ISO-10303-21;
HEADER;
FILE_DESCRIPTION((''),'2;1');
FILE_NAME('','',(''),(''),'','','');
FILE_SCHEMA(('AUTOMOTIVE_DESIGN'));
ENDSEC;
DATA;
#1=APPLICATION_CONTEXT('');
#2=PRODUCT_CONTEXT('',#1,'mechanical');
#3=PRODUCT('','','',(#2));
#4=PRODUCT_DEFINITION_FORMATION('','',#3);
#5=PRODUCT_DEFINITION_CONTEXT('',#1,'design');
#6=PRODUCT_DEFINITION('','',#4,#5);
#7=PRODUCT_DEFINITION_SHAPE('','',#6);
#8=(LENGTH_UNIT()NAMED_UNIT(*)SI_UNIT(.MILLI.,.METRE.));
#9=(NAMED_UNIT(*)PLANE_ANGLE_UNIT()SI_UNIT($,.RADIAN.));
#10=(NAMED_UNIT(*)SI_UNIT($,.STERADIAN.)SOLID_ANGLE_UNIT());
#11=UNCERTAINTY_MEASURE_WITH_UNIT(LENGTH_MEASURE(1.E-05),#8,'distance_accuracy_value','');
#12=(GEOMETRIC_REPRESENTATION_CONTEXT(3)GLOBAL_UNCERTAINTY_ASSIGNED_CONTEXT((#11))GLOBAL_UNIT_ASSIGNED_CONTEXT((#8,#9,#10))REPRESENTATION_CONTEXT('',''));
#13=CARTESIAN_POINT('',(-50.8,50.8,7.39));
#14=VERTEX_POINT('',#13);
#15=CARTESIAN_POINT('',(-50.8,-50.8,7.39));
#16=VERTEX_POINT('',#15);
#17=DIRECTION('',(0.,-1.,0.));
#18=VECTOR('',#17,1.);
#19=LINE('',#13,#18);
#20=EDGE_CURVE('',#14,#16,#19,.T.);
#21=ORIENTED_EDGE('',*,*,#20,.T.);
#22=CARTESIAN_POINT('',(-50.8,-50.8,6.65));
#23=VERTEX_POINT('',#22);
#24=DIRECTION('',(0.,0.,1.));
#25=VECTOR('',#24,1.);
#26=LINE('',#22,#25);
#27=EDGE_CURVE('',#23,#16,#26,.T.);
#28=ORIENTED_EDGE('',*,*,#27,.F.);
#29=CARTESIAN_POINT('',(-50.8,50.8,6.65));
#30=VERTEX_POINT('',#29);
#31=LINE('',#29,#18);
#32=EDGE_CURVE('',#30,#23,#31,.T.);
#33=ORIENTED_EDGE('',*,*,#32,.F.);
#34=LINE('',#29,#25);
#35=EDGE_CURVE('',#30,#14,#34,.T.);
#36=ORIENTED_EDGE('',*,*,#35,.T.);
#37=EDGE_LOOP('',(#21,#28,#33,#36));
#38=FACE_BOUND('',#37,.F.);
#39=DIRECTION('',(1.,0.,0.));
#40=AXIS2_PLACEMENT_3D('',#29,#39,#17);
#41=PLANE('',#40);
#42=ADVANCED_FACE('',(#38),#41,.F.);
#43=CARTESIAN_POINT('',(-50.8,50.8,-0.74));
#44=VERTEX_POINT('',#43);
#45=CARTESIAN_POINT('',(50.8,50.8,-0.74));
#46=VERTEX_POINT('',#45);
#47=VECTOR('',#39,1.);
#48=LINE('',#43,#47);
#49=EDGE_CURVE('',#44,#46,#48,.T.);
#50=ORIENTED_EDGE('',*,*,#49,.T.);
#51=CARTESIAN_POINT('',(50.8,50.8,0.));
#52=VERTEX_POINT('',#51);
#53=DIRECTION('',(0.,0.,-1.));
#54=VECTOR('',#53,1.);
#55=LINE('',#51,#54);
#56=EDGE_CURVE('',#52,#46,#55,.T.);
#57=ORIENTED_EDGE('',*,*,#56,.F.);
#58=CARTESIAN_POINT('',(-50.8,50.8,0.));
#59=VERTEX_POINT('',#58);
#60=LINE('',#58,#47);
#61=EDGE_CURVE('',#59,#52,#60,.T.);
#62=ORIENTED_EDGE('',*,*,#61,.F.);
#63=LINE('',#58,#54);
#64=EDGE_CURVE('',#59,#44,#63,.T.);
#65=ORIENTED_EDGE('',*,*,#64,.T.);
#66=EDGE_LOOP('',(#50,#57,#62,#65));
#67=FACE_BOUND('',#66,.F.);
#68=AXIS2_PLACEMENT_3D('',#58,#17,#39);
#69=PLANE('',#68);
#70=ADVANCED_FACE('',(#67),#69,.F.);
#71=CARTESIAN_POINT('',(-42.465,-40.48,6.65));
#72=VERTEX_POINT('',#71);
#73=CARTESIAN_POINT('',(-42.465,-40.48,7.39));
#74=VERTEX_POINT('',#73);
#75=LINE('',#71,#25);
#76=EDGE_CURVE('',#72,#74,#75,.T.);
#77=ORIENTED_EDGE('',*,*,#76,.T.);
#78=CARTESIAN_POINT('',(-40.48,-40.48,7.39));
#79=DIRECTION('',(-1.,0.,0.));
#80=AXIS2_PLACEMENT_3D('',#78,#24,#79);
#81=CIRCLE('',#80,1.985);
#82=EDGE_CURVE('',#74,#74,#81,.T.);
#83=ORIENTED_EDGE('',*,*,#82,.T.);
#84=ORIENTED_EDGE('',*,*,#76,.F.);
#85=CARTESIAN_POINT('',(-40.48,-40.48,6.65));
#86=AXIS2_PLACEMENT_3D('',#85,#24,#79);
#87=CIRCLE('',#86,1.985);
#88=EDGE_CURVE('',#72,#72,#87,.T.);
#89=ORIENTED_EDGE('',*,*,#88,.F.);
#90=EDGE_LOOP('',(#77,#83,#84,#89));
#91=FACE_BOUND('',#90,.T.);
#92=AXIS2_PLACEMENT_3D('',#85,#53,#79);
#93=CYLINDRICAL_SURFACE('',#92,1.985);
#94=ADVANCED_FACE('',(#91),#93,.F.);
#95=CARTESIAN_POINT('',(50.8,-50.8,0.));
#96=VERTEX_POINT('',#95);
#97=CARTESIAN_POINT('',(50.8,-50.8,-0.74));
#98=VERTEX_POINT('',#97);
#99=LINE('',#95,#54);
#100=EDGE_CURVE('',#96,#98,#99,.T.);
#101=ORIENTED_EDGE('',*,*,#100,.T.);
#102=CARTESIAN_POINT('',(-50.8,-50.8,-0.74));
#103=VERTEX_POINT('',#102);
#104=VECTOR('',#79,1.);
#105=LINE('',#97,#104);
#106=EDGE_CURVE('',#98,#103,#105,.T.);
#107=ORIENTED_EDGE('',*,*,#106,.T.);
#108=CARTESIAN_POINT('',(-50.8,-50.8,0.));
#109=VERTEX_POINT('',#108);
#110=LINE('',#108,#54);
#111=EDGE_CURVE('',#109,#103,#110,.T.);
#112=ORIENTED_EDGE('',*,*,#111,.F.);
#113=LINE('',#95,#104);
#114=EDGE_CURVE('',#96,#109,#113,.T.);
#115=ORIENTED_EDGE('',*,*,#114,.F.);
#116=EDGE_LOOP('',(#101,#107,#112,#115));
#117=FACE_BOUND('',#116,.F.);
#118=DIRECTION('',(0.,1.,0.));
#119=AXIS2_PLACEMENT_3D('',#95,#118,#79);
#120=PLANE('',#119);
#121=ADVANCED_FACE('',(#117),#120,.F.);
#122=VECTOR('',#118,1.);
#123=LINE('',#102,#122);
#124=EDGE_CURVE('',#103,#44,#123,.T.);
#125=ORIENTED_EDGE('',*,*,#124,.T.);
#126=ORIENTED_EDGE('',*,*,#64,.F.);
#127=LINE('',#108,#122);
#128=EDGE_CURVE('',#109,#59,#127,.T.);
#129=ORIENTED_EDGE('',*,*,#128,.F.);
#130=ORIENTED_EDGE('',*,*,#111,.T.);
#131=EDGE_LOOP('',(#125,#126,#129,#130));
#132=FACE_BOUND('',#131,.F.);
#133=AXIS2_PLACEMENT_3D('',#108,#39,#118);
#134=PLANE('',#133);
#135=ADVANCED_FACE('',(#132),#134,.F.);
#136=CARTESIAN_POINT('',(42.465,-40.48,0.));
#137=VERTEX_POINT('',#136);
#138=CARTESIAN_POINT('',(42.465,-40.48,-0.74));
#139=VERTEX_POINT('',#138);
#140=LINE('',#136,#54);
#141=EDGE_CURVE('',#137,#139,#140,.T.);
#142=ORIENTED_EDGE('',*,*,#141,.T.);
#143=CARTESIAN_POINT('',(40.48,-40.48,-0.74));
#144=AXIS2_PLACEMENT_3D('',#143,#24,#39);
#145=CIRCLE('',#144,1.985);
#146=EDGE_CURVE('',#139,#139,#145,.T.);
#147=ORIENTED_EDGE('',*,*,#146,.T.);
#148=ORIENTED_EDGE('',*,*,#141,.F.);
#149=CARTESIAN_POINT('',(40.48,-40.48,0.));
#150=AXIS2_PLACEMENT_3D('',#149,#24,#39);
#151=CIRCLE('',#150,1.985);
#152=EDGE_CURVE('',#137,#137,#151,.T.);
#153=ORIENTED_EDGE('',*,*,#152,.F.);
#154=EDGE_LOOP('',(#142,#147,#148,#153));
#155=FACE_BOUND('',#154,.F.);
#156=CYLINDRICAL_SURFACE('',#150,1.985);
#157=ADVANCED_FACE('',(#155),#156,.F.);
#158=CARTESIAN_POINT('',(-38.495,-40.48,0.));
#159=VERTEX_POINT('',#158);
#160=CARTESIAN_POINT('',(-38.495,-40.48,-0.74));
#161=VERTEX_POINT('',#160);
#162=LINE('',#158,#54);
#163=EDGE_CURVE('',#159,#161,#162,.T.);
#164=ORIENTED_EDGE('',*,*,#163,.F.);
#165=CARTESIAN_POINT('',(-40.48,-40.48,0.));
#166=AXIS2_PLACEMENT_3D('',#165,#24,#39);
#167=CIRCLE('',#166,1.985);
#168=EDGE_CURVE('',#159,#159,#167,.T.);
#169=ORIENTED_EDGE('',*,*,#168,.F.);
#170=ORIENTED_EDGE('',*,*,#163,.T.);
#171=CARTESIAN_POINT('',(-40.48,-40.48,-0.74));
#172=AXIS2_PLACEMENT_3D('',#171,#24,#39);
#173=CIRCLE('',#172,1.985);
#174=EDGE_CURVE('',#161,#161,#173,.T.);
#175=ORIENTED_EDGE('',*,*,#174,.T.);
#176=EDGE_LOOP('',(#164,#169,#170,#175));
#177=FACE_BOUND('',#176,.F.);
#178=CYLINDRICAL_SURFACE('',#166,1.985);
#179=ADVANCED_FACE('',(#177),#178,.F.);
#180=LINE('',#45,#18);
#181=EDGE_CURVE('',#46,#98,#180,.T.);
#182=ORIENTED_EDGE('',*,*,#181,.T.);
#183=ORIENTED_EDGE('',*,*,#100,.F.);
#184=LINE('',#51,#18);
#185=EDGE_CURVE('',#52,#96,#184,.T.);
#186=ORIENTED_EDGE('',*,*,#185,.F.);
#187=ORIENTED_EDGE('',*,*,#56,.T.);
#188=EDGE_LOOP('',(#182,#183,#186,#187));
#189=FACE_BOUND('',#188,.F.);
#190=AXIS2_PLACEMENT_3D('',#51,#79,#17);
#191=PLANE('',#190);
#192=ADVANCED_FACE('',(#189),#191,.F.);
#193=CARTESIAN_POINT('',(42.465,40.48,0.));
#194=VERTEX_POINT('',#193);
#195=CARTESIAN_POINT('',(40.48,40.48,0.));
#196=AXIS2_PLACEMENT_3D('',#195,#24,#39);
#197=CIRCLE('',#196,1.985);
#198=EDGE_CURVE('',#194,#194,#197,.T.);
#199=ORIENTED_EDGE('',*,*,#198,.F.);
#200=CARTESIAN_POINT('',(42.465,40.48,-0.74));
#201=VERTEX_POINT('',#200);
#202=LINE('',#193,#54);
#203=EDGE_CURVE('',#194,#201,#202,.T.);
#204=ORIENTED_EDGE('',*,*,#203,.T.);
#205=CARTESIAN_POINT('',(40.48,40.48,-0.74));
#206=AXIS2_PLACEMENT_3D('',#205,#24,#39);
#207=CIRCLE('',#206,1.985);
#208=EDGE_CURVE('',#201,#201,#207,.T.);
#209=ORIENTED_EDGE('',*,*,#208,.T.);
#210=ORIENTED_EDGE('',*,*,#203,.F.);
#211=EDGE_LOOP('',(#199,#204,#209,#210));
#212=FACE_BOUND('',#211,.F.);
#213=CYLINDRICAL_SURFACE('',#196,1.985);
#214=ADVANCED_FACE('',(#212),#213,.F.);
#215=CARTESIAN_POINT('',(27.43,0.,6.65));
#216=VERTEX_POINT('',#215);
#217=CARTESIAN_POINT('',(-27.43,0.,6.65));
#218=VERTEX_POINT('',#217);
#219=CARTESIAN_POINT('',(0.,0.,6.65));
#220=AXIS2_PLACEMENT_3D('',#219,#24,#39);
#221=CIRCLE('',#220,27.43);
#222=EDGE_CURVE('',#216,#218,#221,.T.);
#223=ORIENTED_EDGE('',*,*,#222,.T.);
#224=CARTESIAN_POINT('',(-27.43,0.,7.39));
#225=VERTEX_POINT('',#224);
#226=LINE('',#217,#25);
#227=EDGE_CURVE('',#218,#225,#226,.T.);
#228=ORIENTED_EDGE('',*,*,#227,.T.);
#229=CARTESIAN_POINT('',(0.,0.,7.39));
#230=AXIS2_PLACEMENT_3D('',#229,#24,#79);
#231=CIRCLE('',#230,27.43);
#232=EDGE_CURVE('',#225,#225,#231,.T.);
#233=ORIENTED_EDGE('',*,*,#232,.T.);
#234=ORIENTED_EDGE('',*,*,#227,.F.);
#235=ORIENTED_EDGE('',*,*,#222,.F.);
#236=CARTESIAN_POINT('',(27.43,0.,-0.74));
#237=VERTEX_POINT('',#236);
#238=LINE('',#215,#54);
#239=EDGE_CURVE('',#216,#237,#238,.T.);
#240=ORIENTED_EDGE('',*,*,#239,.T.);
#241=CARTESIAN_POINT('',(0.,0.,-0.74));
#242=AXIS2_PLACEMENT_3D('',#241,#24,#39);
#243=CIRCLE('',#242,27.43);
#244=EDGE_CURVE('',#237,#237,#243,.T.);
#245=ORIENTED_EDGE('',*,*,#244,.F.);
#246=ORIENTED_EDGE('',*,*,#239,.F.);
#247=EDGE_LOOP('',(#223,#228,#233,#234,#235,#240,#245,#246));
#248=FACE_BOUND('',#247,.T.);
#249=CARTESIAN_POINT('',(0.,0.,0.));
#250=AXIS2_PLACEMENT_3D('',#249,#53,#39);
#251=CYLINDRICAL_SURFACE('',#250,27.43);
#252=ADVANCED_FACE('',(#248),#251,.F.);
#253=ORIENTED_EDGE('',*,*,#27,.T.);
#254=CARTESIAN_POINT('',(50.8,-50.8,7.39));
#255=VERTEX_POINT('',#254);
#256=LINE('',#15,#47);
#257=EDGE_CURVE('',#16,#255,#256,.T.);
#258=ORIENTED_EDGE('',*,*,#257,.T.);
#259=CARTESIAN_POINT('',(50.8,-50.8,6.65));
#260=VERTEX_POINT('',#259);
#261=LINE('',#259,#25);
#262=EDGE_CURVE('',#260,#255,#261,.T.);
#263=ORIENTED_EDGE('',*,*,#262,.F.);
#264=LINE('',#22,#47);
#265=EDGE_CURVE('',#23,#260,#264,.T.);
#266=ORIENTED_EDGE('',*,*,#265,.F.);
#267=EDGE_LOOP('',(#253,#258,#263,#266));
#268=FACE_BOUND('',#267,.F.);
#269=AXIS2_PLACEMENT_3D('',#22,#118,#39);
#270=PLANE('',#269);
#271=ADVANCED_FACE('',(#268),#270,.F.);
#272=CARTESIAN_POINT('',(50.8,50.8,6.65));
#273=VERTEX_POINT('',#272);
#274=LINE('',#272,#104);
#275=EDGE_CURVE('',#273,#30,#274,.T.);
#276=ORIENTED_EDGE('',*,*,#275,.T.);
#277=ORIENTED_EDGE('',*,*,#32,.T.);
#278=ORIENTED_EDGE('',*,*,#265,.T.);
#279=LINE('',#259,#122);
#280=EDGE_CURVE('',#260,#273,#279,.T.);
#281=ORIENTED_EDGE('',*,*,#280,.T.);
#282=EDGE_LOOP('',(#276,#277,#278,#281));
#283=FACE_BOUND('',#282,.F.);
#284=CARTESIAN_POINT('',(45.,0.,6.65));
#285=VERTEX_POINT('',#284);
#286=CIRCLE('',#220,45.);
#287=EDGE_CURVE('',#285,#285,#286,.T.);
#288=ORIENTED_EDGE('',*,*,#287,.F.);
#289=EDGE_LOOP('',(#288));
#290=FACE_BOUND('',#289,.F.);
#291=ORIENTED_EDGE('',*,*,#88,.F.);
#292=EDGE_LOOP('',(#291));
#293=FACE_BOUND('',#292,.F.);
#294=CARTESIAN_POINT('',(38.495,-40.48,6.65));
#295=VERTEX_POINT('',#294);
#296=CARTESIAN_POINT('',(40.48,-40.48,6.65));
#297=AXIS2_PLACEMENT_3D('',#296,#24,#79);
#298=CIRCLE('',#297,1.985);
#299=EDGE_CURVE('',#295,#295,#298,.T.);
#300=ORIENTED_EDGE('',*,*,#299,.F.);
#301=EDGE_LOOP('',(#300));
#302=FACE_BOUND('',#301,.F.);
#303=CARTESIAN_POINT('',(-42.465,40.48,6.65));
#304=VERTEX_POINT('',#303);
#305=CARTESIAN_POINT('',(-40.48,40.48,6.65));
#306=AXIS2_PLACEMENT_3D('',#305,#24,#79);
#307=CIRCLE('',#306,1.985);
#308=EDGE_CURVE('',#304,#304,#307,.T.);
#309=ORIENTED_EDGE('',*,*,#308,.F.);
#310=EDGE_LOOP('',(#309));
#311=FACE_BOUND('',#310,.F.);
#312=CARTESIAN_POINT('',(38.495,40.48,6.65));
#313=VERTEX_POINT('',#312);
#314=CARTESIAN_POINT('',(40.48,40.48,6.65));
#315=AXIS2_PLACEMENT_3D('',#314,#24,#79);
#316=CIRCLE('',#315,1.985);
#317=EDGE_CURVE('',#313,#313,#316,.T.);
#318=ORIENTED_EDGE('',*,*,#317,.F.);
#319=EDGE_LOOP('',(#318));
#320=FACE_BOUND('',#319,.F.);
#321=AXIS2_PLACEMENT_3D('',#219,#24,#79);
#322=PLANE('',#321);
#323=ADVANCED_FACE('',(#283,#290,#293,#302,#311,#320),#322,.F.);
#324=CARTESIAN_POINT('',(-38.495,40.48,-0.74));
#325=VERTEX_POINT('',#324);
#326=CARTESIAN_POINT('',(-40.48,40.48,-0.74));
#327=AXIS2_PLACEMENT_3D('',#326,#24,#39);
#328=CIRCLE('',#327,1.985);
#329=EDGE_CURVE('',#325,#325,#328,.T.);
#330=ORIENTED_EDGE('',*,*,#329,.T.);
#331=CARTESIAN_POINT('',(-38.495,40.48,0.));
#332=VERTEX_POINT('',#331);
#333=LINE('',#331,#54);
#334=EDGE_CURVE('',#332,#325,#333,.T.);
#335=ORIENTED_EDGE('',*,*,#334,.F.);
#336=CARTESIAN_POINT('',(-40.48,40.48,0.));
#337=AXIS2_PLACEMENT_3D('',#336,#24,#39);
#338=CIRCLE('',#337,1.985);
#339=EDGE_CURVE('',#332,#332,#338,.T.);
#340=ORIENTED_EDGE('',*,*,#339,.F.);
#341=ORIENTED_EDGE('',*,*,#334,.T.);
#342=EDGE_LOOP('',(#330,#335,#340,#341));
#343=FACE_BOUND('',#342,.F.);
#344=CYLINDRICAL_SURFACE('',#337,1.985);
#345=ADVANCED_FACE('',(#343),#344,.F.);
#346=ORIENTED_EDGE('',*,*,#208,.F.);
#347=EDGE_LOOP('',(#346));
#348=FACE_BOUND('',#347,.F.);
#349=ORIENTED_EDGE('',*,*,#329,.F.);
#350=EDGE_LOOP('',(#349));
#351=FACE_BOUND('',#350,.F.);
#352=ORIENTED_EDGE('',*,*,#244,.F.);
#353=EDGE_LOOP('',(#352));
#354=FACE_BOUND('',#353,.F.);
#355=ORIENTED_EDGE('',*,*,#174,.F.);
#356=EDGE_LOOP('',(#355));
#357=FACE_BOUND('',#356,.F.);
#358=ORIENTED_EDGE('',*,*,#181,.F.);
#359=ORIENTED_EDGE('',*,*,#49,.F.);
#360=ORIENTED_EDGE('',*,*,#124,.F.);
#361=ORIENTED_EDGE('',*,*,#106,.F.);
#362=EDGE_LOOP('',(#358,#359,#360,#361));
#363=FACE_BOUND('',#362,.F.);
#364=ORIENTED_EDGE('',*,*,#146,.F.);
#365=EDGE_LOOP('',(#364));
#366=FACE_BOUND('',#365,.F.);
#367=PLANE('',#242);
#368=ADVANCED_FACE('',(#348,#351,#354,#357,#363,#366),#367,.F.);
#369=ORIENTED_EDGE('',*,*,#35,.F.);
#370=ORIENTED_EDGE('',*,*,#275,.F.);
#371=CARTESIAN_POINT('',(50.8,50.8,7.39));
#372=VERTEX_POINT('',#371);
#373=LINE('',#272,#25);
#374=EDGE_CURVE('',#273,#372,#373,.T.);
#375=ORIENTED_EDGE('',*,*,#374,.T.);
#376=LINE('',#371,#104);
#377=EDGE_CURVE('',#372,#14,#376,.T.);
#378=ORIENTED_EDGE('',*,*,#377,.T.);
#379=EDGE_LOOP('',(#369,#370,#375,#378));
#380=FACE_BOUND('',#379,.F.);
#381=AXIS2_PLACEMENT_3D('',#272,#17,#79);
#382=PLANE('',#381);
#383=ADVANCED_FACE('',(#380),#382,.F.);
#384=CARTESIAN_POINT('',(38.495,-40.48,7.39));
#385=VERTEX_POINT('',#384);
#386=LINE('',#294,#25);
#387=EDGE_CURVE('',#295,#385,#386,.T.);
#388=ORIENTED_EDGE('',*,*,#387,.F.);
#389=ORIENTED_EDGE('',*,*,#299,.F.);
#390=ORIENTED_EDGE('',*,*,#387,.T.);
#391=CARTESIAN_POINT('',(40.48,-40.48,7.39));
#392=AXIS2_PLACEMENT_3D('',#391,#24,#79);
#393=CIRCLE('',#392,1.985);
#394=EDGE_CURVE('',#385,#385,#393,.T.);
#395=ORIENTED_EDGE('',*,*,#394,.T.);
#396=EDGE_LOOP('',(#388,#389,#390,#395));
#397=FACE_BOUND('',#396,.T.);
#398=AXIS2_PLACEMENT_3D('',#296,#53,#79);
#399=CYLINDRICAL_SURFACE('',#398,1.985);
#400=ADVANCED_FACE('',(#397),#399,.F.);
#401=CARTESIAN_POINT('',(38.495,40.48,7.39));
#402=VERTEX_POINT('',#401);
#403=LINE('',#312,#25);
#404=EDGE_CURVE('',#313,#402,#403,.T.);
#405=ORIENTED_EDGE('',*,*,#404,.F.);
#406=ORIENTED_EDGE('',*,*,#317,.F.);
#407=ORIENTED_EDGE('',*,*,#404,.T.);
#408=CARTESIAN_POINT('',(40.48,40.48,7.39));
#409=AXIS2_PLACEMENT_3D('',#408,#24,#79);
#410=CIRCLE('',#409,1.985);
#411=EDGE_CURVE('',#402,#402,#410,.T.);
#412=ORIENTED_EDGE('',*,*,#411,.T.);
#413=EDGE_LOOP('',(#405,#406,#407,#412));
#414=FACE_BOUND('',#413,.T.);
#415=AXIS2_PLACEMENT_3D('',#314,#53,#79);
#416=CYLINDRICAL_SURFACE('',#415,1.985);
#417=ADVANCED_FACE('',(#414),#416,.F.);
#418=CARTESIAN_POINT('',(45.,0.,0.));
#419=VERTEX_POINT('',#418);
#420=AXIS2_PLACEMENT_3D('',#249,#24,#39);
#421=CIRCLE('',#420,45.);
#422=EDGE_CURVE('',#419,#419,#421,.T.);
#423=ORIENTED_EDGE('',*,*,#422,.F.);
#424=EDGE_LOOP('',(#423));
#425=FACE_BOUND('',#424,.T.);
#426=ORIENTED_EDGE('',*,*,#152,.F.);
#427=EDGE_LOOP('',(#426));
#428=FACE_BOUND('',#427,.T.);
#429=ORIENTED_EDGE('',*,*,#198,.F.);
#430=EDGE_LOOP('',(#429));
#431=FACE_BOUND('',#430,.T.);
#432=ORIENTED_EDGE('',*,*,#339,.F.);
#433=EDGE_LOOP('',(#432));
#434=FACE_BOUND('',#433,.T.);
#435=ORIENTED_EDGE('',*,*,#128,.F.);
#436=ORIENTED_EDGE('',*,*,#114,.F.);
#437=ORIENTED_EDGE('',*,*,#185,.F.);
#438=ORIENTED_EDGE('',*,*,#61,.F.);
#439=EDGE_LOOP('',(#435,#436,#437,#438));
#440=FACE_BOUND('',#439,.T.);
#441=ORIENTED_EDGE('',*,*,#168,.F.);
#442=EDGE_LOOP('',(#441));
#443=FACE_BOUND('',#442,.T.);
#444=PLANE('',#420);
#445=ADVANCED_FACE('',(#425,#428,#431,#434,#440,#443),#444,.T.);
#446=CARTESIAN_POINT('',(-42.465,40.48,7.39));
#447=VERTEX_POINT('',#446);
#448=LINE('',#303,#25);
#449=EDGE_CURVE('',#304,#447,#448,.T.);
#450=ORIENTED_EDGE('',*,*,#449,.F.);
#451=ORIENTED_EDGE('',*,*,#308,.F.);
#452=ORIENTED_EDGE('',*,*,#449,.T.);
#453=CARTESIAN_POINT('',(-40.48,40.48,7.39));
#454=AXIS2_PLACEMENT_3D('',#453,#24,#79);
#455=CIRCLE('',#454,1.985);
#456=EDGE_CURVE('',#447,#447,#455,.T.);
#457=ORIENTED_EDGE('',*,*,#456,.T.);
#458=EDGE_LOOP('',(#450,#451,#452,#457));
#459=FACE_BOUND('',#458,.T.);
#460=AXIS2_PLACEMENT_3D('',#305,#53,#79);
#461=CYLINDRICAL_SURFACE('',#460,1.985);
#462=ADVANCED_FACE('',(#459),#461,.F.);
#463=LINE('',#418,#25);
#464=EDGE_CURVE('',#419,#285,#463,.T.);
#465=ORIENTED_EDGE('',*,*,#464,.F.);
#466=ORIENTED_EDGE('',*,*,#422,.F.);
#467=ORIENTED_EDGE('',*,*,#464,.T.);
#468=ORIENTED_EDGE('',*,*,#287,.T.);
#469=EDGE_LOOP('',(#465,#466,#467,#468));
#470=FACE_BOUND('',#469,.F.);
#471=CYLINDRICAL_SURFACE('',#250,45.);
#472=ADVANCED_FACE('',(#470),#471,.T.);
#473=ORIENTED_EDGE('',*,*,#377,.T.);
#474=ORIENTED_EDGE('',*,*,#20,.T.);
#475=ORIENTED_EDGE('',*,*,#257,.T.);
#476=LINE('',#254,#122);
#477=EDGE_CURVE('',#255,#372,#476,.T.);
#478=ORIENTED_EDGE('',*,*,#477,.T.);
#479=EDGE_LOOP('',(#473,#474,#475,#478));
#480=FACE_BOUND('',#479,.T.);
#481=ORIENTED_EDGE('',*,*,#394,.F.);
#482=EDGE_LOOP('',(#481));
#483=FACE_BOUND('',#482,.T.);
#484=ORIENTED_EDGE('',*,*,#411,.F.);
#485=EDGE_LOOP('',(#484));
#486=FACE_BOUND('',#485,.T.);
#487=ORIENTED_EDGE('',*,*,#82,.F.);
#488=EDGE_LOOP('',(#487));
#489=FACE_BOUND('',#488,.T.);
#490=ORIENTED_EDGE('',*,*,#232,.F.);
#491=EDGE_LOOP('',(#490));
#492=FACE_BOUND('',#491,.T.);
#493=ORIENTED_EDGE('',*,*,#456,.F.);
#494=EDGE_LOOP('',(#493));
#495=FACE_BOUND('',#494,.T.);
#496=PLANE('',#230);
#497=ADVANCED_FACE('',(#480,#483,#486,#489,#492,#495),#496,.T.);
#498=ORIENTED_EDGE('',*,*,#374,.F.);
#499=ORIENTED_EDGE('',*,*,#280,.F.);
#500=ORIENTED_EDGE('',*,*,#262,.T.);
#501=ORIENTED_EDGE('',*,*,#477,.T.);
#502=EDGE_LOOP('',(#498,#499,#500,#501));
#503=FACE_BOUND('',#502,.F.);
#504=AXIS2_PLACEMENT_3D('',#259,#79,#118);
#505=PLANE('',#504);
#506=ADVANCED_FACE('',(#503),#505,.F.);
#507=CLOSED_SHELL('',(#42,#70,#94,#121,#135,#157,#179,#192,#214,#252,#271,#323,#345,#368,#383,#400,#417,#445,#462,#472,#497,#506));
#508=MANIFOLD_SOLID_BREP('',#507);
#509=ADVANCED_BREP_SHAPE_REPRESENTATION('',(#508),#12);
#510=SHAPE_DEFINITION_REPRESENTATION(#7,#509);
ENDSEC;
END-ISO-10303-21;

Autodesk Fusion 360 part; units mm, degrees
sketch "Sketch1" plane through (0, 0, 0) normal (0, 0, 1) x (1, 0, 0)
  line L0 (-50.8, 50.8) -> (50.8, 50.8)
  line L1 (50.8, 50.8) -> (50.8, -50.8)
  line L2 (50.8, -50.8) -> (-50.8, -50.8)
  line L3 (-50.8, -50.8) -> (-50.8, 50.8)
  line L4 (-50.8, 50.8) -> (50.8, -50.8) construction
  line L5 (50.8, 50.8) -> (-50.8, -50.8) construction
  circle A0 centre (0, 0) radius 27.43
  line L6 (0, 0) -> (-40.48, 0) construction
  line L7 (-40.48, 0) -> (-40.48, -40.48) construction
  line L8 (-40.48, -40.48) -> (0, -40.48) construction
  line L9 (0, -40.48) -> (0, 0) construction
  circle A1 centre (-40.48, -40.48) radius 1.985
  circle A2 centre (-40.48, 40.48) radius 1.985
  circle A3 centre (40.48, 40.48) radius 1.985
  circle A4 centre (40.48, -40.48) radius 1.985
  circle A5 centre (0, 0) radius 45
  dimension "d1" = 101.6
  dimension "d2" = 101.6
  dimension "d3" = 54.86
  dimension "d4" = 40.48
  dimension "d5" = 40.48
  dimension "d6" = 3.97
extrude "Extrude1" add sketch "Sketch1" against normal blind 0.74 contours L0 L1 L2 L3 | A5
extrude "Extrude2" add sketch "Sketch1" along normal blind 6.65 contours A5
sketch "Sketch2" plane through (0, 0, 6.65) normal (0, 0, 1) x (-1, 0, 0)
  circle A0 centre (0, 0) radius 27.43
  circle A1 centre (0, 0) radius 45
  circle A2 centre (0, 0) radius 45
  circle A3 centre (-40.48, 40.48) radius 1.985
  circle A4 centre (40.48, 40.48) radius 1.985
  circle A5 centre (40.48, -40.48) radius 1.985
  circle A6 centre (-40.48, -40.48) radius 1.985
  line L0 (50.8, 50.8) -> (-50.8, 50.8)
  line L1 (-50.8, 50.8) -> (-50.8, -50.8)
  line L2 (-50.8, -50.8) -> (50.8, -50.8)
  line L3 (50.8, -50.8) -> (50.8, 50.8)
extrude "Extrude3" add sketch "Sketch2" along normal blind 0.74 contours A1 A2 | L0 L1 L2 L3
